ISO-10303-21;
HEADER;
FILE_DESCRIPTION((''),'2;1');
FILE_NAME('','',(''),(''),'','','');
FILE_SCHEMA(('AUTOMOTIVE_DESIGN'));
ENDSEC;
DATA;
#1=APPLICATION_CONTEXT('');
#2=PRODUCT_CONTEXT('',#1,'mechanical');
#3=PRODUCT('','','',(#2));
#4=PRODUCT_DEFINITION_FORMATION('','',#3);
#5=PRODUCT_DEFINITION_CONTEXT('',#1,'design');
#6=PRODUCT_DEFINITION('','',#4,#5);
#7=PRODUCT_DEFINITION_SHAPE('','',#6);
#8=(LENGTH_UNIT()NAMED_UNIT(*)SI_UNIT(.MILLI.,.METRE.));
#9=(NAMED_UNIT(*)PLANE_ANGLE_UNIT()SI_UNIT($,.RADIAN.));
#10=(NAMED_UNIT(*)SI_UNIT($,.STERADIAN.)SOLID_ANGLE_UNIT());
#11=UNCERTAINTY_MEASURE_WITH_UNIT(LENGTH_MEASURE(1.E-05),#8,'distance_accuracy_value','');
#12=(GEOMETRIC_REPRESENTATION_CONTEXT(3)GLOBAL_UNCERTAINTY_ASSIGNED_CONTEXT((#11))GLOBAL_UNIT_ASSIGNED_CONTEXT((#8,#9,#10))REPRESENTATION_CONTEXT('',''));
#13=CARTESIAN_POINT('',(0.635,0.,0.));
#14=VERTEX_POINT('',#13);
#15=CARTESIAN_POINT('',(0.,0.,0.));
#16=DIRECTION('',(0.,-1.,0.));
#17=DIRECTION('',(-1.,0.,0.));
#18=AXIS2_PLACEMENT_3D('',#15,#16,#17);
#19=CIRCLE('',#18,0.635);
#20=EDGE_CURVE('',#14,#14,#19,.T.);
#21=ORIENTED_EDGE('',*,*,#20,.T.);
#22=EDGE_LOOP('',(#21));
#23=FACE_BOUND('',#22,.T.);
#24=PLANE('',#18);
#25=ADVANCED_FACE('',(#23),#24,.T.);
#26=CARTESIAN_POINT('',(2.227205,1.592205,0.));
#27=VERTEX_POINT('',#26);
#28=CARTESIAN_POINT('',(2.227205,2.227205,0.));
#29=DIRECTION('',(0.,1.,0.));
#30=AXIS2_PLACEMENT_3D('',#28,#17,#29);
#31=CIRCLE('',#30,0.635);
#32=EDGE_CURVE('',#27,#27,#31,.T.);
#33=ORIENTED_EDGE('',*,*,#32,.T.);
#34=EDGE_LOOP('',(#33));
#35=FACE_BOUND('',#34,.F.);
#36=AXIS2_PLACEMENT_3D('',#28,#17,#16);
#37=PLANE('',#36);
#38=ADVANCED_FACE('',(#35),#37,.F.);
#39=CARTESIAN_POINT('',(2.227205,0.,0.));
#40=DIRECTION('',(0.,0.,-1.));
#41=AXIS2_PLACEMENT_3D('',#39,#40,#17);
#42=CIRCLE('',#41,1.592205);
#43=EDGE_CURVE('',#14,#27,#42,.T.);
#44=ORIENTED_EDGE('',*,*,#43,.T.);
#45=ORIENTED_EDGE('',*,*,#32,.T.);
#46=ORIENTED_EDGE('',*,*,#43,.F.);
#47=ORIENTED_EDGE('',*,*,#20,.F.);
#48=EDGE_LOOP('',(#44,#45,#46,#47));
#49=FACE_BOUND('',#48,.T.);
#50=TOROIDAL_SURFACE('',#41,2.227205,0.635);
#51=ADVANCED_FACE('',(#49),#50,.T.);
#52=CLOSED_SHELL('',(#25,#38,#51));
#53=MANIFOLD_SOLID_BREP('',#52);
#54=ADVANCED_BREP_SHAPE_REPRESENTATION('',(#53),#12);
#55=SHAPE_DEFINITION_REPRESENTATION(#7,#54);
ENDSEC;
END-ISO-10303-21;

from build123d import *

# Parameters (mm, degrees)
F0_R = 0.635


with BuildPart() as f2:
    # F2: sweep along a path in F1
    with BuildLine(Plane.XY) as f2_path:
        ThreePointArc((0, 0), (0.6523331298, 1.5748714892), (2.227204619, 2.227204619))
    # F0 (on Front) → F2 (sweep)
    with BuildSketch(Plane.XZ):
        Circle(F0_R)
    sweep(path=f2_path.line)


solid = f2.part
